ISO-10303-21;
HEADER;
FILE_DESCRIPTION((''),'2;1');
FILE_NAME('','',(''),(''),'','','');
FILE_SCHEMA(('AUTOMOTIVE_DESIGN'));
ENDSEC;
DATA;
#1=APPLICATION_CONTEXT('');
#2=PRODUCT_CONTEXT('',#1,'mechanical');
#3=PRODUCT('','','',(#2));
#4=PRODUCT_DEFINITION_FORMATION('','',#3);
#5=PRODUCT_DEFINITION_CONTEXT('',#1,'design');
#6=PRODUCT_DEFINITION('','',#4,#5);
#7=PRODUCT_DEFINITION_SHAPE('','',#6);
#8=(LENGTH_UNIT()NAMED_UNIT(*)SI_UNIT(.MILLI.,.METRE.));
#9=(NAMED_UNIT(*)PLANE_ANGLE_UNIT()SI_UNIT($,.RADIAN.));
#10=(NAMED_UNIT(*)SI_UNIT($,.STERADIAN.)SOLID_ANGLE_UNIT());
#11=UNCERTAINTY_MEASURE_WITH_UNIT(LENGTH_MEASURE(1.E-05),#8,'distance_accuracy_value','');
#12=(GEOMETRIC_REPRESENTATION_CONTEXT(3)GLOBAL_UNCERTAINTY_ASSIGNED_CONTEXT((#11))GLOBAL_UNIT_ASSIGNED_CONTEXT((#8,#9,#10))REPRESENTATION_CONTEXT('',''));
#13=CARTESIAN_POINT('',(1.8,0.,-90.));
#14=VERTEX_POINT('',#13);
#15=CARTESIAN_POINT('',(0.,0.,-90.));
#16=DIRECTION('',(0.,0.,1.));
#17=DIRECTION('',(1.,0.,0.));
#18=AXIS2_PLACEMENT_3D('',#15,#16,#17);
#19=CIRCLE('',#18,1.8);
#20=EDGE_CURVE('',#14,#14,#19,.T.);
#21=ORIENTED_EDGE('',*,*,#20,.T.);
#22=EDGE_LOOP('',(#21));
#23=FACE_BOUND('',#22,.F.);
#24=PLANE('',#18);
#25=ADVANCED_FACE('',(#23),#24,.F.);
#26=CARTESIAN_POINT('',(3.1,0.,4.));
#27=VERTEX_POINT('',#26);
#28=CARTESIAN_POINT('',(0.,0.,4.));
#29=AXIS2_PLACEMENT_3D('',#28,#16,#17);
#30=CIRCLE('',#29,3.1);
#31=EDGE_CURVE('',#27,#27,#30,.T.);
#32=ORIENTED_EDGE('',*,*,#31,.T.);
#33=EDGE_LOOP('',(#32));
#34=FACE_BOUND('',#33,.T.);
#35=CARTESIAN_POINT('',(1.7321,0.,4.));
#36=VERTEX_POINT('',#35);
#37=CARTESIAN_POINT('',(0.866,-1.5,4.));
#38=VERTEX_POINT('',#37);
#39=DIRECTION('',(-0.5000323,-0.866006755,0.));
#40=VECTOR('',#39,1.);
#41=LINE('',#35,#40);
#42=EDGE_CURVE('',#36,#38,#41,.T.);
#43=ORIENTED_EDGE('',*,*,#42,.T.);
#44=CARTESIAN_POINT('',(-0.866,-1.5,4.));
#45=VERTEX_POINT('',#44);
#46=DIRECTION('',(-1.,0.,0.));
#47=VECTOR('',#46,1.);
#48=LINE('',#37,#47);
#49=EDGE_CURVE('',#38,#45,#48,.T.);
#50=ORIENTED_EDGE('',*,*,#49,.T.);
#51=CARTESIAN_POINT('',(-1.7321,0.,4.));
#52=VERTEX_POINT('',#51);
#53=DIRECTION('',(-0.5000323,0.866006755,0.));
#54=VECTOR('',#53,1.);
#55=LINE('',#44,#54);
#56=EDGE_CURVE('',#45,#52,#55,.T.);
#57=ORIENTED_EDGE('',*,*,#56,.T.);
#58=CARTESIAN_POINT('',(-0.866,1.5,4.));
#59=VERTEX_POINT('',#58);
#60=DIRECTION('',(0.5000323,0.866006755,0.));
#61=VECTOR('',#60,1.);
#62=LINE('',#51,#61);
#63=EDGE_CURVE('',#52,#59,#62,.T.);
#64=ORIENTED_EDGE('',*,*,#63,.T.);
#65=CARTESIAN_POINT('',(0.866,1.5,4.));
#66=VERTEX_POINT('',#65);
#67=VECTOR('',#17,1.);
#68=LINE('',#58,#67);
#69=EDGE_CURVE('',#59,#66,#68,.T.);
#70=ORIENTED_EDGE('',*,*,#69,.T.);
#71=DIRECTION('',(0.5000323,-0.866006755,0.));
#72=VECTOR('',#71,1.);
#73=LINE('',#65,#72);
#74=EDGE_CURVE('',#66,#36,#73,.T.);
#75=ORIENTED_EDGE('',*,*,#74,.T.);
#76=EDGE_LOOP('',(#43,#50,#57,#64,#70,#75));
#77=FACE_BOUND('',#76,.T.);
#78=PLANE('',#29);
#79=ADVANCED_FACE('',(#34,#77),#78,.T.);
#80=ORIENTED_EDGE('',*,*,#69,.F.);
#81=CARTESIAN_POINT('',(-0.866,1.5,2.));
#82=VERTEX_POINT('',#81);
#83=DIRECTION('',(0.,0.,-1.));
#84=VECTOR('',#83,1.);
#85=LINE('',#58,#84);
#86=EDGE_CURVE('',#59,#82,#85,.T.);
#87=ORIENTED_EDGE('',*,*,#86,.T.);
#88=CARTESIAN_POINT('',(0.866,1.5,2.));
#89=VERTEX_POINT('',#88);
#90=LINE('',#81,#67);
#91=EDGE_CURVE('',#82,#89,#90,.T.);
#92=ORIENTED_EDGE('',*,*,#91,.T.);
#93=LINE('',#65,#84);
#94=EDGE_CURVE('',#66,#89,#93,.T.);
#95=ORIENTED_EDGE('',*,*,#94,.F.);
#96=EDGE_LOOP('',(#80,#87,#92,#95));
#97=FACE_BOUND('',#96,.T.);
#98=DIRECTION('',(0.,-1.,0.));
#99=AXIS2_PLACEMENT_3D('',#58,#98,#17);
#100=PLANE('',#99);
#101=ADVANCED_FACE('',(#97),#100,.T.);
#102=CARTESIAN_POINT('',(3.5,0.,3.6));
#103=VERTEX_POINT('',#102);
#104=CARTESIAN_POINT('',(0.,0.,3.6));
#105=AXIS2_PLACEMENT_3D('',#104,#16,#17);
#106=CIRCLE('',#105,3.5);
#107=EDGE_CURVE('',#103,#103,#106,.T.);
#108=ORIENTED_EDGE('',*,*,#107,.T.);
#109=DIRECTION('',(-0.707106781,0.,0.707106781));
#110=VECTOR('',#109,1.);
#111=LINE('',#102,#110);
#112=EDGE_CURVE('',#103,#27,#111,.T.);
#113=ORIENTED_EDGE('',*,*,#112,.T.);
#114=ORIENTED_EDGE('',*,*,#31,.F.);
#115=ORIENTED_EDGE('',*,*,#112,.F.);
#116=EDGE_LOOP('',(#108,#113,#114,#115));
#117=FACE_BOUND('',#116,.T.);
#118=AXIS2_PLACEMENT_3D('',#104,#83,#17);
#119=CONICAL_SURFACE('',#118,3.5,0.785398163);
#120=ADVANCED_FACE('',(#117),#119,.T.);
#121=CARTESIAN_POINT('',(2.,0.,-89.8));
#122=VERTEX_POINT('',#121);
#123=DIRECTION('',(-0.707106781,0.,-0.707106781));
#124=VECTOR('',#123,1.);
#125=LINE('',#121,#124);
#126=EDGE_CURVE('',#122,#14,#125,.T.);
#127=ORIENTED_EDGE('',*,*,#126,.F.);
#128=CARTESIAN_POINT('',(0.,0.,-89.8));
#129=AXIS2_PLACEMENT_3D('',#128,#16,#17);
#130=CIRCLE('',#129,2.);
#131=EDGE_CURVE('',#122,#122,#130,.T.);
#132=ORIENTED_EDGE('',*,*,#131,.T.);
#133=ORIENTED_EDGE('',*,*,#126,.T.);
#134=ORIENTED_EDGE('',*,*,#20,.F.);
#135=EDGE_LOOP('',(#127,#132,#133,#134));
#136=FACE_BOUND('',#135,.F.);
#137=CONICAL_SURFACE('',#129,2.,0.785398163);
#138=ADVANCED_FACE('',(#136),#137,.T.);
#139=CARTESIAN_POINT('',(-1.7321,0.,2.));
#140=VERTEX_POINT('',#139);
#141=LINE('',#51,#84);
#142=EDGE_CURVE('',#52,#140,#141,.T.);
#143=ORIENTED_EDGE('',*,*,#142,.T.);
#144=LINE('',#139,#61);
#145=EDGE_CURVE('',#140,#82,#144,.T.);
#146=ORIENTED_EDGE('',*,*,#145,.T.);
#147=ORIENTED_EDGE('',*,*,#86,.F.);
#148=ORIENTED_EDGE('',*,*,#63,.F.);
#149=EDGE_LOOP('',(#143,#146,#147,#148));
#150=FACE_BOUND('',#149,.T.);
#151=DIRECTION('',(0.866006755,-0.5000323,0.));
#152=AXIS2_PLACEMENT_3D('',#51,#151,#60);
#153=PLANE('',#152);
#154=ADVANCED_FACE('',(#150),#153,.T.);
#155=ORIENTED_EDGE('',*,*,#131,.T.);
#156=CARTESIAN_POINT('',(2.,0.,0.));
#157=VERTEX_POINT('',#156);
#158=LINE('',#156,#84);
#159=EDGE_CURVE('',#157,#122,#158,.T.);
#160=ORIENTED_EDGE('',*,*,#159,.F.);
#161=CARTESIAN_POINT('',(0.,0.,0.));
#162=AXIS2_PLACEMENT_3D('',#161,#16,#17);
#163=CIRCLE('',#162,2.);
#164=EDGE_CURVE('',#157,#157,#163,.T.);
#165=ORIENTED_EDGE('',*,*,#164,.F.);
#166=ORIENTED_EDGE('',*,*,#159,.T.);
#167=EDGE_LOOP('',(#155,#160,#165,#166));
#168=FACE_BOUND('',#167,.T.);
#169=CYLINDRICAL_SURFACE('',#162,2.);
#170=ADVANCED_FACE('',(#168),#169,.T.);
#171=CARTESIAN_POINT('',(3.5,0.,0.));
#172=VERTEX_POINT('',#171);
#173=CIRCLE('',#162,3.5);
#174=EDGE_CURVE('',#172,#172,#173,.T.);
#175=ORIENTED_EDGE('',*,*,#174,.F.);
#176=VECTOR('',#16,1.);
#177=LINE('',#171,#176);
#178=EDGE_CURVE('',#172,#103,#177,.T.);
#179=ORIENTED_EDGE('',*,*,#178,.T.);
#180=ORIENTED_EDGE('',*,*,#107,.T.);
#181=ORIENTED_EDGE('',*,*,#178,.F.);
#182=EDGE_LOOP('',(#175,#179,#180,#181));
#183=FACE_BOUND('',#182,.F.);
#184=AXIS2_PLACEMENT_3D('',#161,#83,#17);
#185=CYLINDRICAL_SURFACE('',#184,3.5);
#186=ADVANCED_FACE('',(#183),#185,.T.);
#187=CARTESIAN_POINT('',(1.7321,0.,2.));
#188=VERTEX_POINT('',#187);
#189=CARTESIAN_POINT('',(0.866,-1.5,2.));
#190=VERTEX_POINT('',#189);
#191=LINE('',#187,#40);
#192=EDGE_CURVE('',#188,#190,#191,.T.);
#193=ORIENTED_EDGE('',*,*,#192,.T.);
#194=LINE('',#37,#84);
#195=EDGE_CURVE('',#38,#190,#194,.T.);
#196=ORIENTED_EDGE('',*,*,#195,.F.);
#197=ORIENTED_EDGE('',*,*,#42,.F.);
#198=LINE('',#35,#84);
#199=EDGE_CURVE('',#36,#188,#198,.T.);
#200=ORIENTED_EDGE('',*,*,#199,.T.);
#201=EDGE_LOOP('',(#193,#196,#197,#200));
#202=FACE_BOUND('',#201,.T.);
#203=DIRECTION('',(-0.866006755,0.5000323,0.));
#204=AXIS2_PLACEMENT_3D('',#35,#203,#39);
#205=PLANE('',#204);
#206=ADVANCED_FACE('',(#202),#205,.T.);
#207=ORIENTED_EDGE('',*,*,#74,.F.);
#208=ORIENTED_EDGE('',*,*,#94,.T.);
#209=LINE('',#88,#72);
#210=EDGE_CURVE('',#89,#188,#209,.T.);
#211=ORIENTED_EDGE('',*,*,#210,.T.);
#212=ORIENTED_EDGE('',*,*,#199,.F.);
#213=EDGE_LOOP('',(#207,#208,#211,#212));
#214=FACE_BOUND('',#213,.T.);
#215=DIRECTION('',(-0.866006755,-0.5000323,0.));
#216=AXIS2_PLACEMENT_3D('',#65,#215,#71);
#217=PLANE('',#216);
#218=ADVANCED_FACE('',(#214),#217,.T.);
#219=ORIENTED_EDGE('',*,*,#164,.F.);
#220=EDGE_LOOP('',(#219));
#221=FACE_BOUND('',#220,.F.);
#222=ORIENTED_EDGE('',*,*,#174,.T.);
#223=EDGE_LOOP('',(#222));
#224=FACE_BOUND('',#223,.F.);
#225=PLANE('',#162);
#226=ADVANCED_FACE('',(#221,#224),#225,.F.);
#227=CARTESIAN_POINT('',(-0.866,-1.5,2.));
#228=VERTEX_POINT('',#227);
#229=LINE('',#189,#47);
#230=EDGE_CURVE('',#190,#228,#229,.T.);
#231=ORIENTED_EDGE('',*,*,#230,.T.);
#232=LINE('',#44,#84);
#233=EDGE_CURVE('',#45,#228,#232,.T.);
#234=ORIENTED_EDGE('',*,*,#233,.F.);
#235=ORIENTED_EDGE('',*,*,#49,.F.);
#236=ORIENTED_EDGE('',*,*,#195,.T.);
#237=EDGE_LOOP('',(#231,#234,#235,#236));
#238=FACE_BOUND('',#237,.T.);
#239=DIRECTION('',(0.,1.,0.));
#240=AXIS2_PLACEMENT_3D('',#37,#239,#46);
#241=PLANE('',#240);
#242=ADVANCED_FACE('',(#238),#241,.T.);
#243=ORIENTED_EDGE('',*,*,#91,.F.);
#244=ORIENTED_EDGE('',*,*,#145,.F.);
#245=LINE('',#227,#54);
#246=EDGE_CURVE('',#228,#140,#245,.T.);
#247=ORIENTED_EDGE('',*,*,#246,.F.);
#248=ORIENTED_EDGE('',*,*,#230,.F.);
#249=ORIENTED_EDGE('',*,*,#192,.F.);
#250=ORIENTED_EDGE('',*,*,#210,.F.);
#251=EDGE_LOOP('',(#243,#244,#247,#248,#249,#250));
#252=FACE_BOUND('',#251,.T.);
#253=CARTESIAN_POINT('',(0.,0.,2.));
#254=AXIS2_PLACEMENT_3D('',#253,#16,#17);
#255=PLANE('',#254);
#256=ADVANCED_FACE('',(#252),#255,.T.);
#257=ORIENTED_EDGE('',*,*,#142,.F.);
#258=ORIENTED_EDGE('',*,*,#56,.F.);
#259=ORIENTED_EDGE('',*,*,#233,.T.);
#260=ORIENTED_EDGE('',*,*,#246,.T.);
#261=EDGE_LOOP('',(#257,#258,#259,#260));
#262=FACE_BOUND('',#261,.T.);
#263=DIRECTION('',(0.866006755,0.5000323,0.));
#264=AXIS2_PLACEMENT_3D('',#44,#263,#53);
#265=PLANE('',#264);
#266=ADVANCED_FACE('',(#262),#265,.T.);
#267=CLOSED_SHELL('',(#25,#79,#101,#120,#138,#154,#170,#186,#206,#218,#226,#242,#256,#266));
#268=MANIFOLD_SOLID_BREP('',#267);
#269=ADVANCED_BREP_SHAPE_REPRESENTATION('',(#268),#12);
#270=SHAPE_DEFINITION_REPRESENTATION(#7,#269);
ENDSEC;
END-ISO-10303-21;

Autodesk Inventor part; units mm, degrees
ref_plane "YZ Plane" through (0, 0, 0) normal (1, 0, 0) x (0, 1, 0)
ref_plane "XZ Plane" through (0, 0, 0) normal (0, 1, 0) x (-1, 0, 0)
ref_plane "XY Plane" through (0, 0, 0) normal (0, 0, 1) x (1, 0, 0)
sketch "Sketch3" plane through (0, 0, 0) normal (0, 0, 1) x (1, 0, 0)
  circle A0 centre (0, 0) radius 2
  dimension "Diameter" = 4
extrude "Extrusion1" add sketch "Sketch3" against normal blind 90
sketch "Sketch4" plane through (0, 0, 0) normal (0, 0, 1) x (1, 0, 0)
  circle A0 centre (0, 0) radius 2 projected
  circle A1 centre (0, 0) radius 3.5
  dimension "Head_Diameter" = 7
extrude "Extrusion2" add sketch "Sketch4" along normal blind 4 contours A0 | A1
sketch "Sketch5" plane through (0, 0, 4) normal (0, 0, 1) x (1, 0, 0)
  circle A0 centre (0, 0) radius 3.5 projected
  line L0 (1.7321, 0) -> (0.866, -1.5)
  line L1 (0.866, -1.5) -> (-0.866, -1.5)
  line L2 (-0.866, -1.5) -> (-1.7321, 0)
  line L3 (-1.7321, 0) -> (-0.866, 1.5)
  line L4 (-0.866, 1.5) -> (0.866, 1.5)
  line L5 (0.866, 1.5) -> (1.7321, 0)
  line L6 (0, 0) -> (1.7321, 0) construction
  dimension "Hex_Width" = 3
extrude "Extrusion3" cut sketch "Sketch5" against normal blind 2 contours L0 L1 L2 L3 L4 L5
thread "Thread1" size "M4x0.7" class "4g6g" standard "ANSI Metric M Profile" length 20
chamfer "Chamfer1" distance 0.4 angle 45 1 edges at (-3.5, 0, 4)
chamfer "Chamfer2" distance 0.2 angle 45 1 edges at (-2, 0, -90)
equation "\"d14\" = 0.5 * Chamfer"
equation "\"Chamfer\" = 0.4"
properties part number "SCREW, SOCKET HD, P, 12.9, M4X0.7X90MM" material "Steel, MS"
